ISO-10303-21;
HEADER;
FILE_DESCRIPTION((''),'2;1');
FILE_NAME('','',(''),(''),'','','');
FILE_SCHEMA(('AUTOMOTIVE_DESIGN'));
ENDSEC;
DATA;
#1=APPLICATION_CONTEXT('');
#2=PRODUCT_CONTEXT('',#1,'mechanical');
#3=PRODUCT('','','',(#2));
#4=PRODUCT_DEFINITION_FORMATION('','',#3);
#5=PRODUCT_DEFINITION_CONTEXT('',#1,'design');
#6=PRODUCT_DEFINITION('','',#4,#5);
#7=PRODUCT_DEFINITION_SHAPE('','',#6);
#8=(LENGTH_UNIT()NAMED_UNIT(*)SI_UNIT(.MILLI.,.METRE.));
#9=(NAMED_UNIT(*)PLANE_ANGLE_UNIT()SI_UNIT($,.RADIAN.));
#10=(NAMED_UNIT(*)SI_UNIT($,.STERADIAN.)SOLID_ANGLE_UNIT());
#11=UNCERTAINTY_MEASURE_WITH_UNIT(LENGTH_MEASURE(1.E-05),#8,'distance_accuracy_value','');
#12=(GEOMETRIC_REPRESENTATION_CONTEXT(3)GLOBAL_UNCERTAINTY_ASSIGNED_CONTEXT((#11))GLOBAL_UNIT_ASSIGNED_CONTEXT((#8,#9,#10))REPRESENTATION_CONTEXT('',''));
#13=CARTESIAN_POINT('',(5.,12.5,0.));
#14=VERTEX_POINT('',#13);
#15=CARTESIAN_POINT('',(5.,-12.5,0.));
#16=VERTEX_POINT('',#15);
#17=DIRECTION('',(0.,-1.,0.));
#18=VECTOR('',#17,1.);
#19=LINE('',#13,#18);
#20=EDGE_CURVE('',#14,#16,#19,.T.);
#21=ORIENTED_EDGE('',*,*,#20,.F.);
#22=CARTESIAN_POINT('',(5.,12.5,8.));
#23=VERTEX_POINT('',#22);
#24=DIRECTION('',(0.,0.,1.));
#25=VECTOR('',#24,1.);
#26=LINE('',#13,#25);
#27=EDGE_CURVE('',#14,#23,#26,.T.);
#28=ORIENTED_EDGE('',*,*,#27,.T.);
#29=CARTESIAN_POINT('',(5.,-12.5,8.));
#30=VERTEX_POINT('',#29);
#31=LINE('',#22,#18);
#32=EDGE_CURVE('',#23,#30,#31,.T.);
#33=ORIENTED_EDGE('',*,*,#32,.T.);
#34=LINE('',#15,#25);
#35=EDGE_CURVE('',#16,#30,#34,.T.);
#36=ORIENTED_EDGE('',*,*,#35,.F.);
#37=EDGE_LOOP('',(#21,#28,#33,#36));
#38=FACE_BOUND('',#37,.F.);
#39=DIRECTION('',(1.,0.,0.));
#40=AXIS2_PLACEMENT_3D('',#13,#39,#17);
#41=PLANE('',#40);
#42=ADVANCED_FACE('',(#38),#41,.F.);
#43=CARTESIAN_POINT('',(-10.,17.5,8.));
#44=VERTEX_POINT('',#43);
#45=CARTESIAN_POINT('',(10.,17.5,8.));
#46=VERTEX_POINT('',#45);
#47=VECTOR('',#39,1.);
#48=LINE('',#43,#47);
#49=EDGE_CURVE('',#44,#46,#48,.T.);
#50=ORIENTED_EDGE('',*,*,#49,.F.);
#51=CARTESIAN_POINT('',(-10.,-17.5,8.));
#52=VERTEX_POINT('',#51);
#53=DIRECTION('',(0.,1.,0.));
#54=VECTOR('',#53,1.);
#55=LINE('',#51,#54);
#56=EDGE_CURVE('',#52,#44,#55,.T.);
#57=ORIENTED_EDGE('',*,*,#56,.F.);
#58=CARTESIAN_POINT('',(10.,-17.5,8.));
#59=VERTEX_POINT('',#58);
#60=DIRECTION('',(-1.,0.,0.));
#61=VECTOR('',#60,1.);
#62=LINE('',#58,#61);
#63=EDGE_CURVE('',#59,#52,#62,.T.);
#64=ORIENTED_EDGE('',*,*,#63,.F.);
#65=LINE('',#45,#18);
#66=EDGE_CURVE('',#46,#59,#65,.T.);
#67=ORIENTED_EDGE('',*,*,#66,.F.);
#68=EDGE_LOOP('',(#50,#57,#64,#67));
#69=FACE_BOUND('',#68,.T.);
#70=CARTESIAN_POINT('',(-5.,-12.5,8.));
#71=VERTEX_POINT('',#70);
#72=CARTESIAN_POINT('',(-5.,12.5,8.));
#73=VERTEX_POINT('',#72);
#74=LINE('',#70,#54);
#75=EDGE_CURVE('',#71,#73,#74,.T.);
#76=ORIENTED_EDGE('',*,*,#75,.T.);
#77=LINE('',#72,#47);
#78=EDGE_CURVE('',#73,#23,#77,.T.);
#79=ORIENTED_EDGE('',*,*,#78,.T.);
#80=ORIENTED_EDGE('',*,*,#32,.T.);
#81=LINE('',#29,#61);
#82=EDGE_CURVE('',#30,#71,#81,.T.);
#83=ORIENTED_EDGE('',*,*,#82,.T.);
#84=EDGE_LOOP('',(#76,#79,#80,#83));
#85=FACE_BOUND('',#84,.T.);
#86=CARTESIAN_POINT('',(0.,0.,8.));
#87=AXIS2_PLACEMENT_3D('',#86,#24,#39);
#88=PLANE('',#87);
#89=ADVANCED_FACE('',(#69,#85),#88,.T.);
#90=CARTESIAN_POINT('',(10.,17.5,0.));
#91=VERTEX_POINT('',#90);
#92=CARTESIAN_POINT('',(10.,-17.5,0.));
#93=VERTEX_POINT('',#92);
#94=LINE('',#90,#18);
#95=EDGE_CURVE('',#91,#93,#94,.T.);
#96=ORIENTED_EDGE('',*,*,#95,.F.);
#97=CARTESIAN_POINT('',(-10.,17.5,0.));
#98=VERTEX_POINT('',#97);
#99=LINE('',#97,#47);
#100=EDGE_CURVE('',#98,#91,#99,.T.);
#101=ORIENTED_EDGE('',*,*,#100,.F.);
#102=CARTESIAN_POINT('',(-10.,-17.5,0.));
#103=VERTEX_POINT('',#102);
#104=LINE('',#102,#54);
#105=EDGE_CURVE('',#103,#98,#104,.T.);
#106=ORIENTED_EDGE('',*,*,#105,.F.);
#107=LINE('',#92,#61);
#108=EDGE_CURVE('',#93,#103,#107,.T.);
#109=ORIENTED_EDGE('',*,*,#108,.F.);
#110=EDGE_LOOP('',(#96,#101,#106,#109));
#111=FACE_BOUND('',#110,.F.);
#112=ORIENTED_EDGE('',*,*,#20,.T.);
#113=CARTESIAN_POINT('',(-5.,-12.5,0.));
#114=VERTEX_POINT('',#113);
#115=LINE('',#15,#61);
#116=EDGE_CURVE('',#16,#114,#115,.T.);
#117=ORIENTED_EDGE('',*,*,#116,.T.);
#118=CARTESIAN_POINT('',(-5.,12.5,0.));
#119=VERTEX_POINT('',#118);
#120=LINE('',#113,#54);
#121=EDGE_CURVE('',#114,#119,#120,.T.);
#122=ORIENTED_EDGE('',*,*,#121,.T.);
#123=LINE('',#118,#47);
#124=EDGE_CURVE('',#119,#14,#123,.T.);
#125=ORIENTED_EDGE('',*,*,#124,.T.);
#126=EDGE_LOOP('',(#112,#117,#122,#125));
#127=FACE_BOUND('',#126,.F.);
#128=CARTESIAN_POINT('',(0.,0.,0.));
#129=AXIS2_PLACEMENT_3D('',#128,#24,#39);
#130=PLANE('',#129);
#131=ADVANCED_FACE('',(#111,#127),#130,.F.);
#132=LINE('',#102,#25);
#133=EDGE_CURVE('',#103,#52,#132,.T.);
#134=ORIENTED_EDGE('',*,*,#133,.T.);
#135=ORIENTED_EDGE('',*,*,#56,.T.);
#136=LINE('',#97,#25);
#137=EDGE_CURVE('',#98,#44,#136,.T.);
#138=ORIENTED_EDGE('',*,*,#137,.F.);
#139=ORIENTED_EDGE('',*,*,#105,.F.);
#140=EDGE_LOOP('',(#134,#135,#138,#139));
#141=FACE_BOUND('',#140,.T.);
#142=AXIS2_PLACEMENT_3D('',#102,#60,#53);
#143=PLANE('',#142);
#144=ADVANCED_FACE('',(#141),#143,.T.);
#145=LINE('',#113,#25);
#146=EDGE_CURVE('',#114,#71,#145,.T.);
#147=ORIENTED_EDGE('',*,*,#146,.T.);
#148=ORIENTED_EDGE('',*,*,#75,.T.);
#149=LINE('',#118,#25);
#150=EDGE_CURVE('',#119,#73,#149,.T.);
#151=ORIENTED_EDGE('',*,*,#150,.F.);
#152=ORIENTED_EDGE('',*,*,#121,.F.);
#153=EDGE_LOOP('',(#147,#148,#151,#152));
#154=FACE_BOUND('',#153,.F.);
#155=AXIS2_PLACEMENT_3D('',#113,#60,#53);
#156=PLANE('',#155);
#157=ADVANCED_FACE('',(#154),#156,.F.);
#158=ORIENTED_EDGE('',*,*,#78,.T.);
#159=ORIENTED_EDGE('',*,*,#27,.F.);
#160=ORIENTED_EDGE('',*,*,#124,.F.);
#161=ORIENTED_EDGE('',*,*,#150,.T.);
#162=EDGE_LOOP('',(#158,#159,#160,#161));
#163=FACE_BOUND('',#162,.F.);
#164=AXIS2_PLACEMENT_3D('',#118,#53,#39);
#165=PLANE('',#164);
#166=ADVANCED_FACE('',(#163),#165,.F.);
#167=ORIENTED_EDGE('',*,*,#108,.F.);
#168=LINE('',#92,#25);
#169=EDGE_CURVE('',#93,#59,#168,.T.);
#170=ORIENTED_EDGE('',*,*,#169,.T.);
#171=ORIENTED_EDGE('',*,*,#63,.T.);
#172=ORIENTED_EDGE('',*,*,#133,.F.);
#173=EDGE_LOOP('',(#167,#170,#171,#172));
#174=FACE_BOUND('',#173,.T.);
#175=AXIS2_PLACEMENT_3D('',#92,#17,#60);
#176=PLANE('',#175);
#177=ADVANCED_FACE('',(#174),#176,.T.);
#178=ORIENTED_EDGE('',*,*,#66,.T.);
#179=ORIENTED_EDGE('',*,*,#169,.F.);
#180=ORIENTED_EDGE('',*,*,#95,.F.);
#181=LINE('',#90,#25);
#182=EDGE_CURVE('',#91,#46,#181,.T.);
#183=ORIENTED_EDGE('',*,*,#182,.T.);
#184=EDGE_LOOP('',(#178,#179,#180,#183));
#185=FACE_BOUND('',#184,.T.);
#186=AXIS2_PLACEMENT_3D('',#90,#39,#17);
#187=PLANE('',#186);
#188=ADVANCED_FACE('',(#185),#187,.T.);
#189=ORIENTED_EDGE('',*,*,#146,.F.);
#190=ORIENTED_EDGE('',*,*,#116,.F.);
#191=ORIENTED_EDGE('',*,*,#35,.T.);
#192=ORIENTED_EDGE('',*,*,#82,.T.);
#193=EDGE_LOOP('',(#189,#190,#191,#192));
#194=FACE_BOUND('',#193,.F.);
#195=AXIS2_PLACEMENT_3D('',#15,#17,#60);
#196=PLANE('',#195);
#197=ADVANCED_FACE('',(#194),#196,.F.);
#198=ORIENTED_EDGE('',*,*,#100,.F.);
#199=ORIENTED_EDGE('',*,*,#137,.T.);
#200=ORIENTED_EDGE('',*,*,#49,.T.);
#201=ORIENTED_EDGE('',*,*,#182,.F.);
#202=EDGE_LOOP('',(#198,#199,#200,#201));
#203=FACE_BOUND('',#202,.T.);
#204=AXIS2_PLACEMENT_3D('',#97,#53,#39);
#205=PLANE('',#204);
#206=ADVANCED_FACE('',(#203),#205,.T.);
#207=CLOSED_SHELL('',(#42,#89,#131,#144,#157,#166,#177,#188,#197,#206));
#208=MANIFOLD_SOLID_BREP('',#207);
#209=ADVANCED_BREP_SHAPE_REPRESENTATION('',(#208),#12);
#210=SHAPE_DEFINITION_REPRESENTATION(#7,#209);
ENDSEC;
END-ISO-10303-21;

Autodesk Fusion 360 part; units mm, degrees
sketch "Sketch1" plane through (0, 0, 0) normal (0, 0, 1) x (1, 0, 0)
  line L0 (10, -17.5) -> (-10, -17.5)
  line L1 (-10, -17.5) -> (-10, 17.5)
  line L2 (-10, 17.5) -> (10, 17.5)
  line L3 (10, 17.5) -> (10, -17.5)
  line L4 (10, -17.5) -> (-10, 17.5) construction
  line L5 (-10, -17.5) -> (10, 17.5) construction
  line L6 (5, -12.5) -> (-5, -12.5)
  line L7 (-5, -12.5) -> (-5, 12.5)
  line L8 (-5, 12.5) -> (5, 12.5)
  line L9 (5, 12.5) -> (5, -12.5)
  line L10 (5, -12.5) -> (-5, 12.5) construction
  line L11 (-5, -12.5) -> (5, 12.5) construction
  dimension "d1" = 35
  dimension "d2" = 25
extrude "Extrude1" add sketch "Sketch1" along normal blind 8
